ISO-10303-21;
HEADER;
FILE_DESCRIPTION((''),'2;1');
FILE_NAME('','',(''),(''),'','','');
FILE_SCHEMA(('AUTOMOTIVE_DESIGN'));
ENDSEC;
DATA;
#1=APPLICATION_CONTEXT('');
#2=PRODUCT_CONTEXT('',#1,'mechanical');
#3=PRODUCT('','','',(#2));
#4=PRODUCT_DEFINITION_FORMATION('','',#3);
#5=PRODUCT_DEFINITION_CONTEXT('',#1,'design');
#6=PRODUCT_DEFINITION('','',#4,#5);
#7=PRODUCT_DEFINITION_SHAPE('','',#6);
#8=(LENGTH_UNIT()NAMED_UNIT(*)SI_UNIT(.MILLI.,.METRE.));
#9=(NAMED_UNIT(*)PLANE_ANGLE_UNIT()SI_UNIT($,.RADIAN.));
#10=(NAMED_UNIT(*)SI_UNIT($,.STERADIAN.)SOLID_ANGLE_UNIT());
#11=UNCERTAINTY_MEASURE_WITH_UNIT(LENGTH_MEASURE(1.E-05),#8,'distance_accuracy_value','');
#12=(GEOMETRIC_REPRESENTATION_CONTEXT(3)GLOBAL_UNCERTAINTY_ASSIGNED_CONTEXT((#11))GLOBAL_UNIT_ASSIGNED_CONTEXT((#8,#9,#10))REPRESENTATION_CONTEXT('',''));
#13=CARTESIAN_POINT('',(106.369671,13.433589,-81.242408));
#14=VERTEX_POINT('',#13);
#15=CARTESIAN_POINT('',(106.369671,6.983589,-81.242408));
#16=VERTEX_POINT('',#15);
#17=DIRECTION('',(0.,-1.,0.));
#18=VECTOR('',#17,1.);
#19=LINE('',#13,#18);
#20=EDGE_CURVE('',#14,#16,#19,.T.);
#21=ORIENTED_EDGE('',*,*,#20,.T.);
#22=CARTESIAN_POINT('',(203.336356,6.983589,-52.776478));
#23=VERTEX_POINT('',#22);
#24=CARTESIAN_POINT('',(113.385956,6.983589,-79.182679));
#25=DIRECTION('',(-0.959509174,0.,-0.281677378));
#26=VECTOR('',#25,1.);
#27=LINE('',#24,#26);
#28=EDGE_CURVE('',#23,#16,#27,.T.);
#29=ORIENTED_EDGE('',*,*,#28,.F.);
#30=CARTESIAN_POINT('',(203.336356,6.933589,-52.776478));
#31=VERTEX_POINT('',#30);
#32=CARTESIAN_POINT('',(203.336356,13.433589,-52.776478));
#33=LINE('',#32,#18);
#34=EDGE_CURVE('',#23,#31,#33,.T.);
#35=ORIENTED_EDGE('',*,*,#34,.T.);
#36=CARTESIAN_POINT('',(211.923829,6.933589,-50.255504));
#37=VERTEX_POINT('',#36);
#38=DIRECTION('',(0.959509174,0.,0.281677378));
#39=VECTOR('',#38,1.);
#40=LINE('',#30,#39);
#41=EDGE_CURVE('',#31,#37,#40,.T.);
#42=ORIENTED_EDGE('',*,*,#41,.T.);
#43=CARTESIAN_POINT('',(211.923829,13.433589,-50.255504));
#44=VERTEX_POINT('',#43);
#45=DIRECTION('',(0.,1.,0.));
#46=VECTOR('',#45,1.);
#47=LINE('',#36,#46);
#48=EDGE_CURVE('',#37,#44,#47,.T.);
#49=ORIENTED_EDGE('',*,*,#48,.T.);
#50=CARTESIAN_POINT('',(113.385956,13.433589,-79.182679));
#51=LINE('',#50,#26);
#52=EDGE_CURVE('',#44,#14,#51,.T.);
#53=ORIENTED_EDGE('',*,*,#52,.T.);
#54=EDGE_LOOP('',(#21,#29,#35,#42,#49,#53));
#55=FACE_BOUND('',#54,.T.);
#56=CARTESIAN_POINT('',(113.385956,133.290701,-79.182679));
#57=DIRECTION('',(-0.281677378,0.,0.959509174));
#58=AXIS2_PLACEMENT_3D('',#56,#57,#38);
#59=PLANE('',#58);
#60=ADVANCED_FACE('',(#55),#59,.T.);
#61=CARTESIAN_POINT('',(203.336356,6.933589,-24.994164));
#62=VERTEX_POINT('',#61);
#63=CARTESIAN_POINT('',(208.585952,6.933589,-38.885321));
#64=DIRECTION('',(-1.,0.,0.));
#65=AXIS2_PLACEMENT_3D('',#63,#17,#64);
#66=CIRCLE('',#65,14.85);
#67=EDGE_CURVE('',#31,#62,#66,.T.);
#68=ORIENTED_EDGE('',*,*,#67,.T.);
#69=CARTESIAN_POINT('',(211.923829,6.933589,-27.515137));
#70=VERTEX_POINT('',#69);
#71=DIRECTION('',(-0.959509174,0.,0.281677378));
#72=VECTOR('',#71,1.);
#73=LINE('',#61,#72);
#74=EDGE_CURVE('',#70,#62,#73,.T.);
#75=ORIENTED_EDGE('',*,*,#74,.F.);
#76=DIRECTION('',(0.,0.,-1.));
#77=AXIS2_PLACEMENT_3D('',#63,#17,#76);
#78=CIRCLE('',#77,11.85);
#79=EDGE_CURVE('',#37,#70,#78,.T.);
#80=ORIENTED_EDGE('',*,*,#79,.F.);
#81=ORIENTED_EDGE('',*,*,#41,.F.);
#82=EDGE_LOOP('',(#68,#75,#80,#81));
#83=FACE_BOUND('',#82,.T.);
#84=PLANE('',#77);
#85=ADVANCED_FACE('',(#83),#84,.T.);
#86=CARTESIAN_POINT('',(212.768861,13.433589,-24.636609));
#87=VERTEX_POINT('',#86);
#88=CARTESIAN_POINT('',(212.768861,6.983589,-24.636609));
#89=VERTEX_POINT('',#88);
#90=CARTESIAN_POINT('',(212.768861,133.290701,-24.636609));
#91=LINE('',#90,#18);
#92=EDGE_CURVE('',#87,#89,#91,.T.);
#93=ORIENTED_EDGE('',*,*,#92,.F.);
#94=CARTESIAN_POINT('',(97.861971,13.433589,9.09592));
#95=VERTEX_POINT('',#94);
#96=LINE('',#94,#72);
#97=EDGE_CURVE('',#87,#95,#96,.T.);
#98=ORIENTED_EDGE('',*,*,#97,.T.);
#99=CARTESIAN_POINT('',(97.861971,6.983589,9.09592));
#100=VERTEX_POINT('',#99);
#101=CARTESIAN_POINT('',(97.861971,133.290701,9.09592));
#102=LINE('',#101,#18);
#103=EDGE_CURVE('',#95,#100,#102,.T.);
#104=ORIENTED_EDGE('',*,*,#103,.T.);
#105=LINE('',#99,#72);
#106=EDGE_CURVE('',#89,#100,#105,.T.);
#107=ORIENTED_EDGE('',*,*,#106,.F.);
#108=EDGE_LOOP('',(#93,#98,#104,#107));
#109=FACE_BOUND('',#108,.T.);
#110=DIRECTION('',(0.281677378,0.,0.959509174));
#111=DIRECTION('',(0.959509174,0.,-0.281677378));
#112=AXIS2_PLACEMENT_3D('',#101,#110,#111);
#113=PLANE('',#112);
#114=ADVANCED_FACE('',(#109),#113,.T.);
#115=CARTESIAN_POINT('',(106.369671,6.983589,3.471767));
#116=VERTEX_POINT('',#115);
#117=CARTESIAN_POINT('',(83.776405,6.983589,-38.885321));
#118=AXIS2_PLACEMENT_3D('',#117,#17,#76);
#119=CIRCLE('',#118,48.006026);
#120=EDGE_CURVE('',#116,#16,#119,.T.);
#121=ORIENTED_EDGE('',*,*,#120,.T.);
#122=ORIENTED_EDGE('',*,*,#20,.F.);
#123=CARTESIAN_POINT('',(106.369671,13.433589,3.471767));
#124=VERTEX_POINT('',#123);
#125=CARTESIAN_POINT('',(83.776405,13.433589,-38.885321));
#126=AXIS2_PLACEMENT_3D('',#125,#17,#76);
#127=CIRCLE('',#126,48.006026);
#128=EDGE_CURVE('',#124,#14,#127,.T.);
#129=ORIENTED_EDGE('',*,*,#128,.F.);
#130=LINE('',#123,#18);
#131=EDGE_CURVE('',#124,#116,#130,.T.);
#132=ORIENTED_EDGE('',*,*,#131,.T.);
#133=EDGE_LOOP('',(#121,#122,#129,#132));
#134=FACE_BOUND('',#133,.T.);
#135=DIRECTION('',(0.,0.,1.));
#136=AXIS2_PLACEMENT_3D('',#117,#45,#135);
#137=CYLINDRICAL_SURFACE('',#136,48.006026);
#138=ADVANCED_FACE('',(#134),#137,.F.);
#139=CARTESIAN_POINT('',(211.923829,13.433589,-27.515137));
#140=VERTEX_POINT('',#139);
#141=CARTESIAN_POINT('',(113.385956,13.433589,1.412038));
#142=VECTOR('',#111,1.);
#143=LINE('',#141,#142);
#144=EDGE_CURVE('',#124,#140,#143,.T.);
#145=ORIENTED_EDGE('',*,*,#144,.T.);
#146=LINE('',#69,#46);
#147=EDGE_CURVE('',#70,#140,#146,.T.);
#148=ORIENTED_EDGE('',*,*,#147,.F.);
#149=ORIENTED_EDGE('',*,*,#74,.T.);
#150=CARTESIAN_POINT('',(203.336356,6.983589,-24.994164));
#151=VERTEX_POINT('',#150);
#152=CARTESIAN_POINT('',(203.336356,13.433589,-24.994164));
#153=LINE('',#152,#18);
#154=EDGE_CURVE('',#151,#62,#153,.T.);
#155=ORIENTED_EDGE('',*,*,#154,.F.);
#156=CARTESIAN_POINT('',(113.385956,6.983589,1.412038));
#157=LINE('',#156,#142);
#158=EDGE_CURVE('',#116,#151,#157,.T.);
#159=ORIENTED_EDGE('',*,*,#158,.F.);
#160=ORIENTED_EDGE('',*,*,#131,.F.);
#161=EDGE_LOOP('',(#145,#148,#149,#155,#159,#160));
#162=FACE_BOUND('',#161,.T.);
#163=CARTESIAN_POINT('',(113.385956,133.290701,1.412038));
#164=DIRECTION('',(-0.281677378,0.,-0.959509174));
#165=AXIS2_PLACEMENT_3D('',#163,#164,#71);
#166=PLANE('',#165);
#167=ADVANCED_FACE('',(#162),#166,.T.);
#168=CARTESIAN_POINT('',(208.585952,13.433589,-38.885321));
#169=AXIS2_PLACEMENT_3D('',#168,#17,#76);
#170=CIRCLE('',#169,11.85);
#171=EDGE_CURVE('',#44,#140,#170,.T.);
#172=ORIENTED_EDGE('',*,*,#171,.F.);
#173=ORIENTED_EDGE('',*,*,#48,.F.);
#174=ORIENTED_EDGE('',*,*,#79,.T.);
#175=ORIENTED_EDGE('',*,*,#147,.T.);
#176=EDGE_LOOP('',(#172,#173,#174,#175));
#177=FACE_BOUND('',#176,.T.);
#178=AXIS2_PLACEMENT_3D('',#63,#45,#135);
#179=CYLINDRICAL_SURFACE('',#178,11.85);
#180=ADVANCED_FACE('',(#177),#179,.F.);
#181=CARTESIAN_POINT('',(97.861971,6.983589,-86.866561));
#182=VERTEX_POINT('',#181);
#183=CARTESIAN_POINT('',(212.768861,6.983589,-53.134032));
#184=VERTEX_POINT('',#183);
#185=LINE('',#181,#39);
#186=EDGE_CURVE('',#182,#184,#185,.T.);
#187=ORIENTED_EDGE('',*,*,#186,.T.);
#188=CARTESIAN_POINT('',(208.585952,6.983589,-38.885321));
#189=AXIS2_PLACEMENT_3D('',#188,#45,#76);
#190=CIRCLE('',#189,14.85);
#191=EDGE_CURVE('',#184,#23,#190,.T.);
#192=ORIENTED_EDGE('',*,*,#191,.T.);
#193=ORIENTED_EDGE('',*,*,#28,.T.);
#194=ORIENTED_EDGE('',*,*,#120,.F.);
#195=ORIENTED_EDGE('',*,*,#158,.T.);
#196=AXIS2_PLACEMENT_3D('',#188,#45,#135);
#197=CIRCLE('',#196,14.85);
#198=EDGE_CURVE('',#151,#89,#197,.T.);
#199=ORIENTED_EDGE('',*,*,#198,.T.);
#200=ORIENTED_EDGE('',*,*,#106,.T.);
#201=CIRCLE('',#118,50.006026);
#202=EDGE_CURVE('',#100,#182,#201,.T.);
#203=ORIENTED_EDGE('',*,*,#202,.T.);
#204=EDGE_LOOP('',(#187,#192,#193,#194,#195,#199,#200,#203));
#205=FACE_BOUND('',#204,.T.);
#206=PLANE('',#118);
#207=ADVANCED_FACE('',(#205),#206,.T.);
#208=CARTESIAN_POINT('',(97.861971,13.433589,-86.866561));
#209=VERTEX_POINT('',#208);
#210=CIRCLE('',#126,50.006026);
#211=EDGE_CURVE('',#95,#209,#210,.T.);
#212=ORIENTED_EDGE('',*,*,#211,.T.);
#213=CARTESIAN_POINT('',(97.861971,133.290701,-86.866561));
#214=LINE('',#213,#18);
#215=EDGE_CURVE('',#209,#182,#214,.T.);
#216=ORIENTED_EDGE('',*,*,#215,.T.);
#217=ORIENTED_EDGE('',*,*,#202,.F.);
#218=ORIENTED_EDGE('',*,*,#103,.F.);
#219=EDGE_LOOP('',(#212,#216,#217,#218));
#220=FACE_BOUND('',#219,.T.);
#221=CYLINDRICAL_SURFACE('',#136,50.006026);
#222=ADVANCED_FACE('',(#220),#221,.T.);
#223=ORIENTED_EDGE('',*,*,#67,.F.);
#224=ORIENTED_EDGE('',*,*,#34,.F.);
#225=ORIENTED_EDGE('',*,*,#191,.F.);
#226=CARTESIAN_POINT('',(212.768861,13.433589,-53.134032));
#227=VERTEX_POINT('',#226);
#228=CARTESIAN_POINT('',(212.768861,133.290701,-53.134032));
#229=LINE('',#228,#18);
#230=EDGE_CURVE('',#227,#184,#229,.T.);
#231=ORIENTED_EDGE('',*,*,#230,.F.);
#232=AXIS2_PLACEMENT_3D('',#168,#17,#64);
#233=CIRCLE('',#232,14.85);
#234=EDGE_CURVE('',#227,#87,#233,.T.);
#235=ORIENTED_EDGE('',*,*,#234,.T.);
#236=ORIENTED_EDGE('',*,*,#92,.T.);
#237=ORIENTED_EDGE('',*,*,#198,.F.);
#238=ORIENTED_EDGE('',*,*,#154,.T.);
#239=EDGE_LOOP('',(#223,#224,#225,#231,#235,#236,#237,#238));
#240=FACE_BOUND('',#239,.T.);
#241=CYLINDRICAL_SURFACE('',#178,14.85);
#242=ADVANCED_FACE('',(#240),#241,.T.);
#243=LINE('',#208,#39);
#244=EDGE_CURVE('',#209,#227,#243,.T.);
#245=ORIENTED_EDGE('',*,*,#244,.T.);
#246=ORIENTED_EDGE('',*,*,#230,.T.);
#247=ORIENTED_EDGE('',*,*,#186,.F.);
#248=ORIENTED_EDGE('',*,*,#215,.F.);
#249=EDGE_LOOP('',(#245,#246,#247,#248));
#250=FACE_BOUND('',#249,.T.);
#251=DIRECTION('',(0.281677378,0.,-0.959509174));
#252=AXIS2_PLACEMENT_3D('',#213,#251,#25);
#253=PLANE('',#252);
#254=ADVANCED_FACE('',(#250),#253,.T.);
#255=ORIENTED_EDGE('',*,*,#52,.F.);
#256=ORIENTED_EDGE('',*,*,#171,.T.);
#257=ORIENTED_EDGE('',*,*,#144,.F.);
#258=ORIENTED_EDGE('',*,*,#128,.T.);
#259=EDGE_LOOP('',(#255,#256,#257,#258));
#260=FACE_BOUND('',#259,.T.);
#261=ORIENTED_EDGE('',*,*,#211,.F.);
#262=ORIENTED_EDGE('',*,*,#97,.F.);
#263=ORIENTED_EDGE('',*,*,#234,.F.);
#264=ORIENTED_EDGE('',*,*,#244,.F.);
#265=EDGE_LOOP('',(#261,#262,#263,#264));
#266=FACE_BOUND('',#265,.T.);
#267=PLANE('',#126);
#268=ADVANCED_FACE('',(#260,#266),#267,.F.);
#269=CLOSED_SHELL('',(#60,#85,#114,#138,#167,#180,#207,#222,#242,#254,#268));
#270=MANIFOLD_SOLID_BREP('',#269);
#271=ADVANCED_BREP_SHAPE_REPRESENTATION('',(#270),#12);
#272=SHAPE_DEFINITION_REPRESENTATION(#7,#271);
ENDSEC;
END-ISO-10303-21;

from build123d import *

# Parameters (mm, degrees)
SKETCH1_R               = 50.00602605
SKETCH1_R_2             = 48.00602605
BOSS_EXTRUDE1_DEPTH     = 6.45
EXTRUDE_THIN1_START     = 4.55
SKETCH2_R               = 14.85
SKETCH2_R_2             = 11.85
EXTRUDE_THIN1_DEPTH     = 6.5
BOSS_EXTRUDE2_DEPTH     = 6.45
CUT_EXTRUDE1_DEPTH      = 7.45
CUT_EXTRUDE2_DEPTH      = 7.5
CUT_EXTRUDE3_DEPTH      = 1
CUT_EXTRUDE3_DEPTH_BACK = 7.5


with BuildPart() as part:
    # Sketch1 → Boss-Extrude1 (new body)
    with BuildSketch(Plane(origin=(0, 13.433589084, 0), x_dir=(-1, 0, 0), z_dir=(0, -1, 0))):
        with Locations((-83.776404782, 38.885320672)):
            Circle(SKETCH1_R)
        with Locations((-83.776404782, 38.885320672)):
            Circle(SKETCH1_R_2, mode=Mode.SUBTRACT)
    extrude(amount=BOSS_EXTRUDE1_DEPTH)



with BuildPart() as body_2:
    # Sketch2 → Extrude-Thin1 (new body)
    with BuildSketch(Plane(origin=(0, 17.983589084, 0), x_dir=(-1, 0, 0), z_dir=(0, -1, 0)).offset(EXTRUDE_THIN1_START)):
        with Locations((-208.585951979, 38.885320672)):
            Circle(SKETCH2_R)
        with Locations((-208.585951979, 38.885320672)):
            Circle(SKETCH2_R_2, mode=Mode.SUBTRACT)
    extrude(amount=EXTRUDE_THIN1_DEPTH)


with BuildPart() as part_1:
    add(part.part)

    add(body_2.part)  # Boss-Extrude2 merges body 2
    # Sketch3 → Boss-Extrude2 (add)
    with BuildSketch(Plane(origin=(0, 6.983589084, 0), x_dir=(-1, 0, 0), z_dir=(0, -1, 0))):
        with BuildLine():
            Line((-97.861971102, 86.866561409), (-212.768861048, 53.134031902))
            ThreePointArc((-212.768861048, 53.134031902), (-208.023442769, 53.724663089), (-203.336355819, 52.776477576))
            Line((-203.336355819, 52.776477576), (-113.385956141, 79.182679265))
            ThreePointArc((-113.385956141, 79.182679265), (-105.95919853, 83.701905803), (-97.861971102, 86.866561409))
        make_face()
        with BuildLine():
            Line((-113.385956141, -1.412037922), (-203.336355819, 24.994163767))
            ThreePointArc((-203.336355819, 24.994163767), (-208.023442769, 24.045978254), (-212.768861048, 24.636609441))
            Line((-212.768861048, 24.636609441), (-97.861971102, -9.095920066))
            ThreePointArc((-97.861971102, -9.095920066), (-105.95919853, -5.93126446), (-113.385956141, -1.412037922))
        make_face()
    extrude(amount=-BOSS_EXTRUDE2_DEPTH)

    # Sketch4 → Cut-Extrude1 (cut, through all)
    with BuildSketch(Plane(origin=(0, 6.983589084, 0), x_dir=(-1, 0, 0), z_dir=(0, -1, 0))):
        with BuildLine():
            Line((-113.385956141, 79.182679265), (-106.369670763, 81.242408265))
            ThreePointArc((-106.369670763, 81.242408265), (-131.782430832, 38.885320672), (-106.369670763, -3.471766922))
            Line((-106.369670763, -3.471766922), (-113.385956141, -1.412037922))
            ThreePointArc((-113.385956141, -1.412037922), (-133.782430832, 38.885320672), (-113.385956141, 79.182679265))
        make_face()
    extrude(amount=-CUT_EXTRUDE1_DEPTH, mode=Mode.SUBTRACT)

    # Sketch5 → Cut-Extrude2 (cut, through all)
    with BuildSketch(Plane(origin=(0, 6.933589084, 0), x_dir=(-1, 0, 0), z_dir=(0, -1, 0))):
        with BuildLine():
            Line((-203.336355819, 24.994163767), (-204.770657455, 25.415223133))
            Line((-204.770657455, 25.415223133), (-204.770657455, 52.35541821))
            Line((-204.770657455, 52.35541821), (-203.336355819, 52.776477576))
            ThreePointArc((-203.336355819, 52.776477576), (-193.735951979, 38.885320672), (-203.336355819, 24.994163767))
        make_face()
    extrude(amount=-CUT_EXTRUDE2_DEPTH, mode=Mode.SUBTRACT)

    # Sketch6 → Cut-Extrude3 (cut, two sides)
    with BuildSketch(Plane(origin=(0, 13.433589084, 0), x_dir=(1, 0, 0), z_dir=(0, 1, 0))) as cut_extrude3_sk:
        with BuildLine():
            Line((204.770657455, 25.415223133), (211.923828913, 27.515136963))
            ThreePointArc((211.923828913, 27.515136963), (208.3355607, 27.037966359), (204.770657455, 27.666317699))
            Line((204.770657455, 27.666317699), (204.770657455, 25.415223133))
        make_face()
        with BuildLine():
            Line((204.770657455, 50.104323644), (204.770657455, 52.35541821))
            Line((204.770657455, 52.35541821), (211.923828913, 50.25550438))
            ThreePointArc((211.923828913, 50.25550438), (208.3355607, 50.732674984), (204.770657455, 50.104323644))
        make_face()
    extrude(amount=CUT_EXTRUDE3_DEPTH, mode=Mode.SUBTRACT)
    extrude(cut_extrude3_sk.sketch, amount=-CUT_EXTRUDE3_DEPTH_BACK, mode=Mode.SUBTRACT)


solid = part_1.part
